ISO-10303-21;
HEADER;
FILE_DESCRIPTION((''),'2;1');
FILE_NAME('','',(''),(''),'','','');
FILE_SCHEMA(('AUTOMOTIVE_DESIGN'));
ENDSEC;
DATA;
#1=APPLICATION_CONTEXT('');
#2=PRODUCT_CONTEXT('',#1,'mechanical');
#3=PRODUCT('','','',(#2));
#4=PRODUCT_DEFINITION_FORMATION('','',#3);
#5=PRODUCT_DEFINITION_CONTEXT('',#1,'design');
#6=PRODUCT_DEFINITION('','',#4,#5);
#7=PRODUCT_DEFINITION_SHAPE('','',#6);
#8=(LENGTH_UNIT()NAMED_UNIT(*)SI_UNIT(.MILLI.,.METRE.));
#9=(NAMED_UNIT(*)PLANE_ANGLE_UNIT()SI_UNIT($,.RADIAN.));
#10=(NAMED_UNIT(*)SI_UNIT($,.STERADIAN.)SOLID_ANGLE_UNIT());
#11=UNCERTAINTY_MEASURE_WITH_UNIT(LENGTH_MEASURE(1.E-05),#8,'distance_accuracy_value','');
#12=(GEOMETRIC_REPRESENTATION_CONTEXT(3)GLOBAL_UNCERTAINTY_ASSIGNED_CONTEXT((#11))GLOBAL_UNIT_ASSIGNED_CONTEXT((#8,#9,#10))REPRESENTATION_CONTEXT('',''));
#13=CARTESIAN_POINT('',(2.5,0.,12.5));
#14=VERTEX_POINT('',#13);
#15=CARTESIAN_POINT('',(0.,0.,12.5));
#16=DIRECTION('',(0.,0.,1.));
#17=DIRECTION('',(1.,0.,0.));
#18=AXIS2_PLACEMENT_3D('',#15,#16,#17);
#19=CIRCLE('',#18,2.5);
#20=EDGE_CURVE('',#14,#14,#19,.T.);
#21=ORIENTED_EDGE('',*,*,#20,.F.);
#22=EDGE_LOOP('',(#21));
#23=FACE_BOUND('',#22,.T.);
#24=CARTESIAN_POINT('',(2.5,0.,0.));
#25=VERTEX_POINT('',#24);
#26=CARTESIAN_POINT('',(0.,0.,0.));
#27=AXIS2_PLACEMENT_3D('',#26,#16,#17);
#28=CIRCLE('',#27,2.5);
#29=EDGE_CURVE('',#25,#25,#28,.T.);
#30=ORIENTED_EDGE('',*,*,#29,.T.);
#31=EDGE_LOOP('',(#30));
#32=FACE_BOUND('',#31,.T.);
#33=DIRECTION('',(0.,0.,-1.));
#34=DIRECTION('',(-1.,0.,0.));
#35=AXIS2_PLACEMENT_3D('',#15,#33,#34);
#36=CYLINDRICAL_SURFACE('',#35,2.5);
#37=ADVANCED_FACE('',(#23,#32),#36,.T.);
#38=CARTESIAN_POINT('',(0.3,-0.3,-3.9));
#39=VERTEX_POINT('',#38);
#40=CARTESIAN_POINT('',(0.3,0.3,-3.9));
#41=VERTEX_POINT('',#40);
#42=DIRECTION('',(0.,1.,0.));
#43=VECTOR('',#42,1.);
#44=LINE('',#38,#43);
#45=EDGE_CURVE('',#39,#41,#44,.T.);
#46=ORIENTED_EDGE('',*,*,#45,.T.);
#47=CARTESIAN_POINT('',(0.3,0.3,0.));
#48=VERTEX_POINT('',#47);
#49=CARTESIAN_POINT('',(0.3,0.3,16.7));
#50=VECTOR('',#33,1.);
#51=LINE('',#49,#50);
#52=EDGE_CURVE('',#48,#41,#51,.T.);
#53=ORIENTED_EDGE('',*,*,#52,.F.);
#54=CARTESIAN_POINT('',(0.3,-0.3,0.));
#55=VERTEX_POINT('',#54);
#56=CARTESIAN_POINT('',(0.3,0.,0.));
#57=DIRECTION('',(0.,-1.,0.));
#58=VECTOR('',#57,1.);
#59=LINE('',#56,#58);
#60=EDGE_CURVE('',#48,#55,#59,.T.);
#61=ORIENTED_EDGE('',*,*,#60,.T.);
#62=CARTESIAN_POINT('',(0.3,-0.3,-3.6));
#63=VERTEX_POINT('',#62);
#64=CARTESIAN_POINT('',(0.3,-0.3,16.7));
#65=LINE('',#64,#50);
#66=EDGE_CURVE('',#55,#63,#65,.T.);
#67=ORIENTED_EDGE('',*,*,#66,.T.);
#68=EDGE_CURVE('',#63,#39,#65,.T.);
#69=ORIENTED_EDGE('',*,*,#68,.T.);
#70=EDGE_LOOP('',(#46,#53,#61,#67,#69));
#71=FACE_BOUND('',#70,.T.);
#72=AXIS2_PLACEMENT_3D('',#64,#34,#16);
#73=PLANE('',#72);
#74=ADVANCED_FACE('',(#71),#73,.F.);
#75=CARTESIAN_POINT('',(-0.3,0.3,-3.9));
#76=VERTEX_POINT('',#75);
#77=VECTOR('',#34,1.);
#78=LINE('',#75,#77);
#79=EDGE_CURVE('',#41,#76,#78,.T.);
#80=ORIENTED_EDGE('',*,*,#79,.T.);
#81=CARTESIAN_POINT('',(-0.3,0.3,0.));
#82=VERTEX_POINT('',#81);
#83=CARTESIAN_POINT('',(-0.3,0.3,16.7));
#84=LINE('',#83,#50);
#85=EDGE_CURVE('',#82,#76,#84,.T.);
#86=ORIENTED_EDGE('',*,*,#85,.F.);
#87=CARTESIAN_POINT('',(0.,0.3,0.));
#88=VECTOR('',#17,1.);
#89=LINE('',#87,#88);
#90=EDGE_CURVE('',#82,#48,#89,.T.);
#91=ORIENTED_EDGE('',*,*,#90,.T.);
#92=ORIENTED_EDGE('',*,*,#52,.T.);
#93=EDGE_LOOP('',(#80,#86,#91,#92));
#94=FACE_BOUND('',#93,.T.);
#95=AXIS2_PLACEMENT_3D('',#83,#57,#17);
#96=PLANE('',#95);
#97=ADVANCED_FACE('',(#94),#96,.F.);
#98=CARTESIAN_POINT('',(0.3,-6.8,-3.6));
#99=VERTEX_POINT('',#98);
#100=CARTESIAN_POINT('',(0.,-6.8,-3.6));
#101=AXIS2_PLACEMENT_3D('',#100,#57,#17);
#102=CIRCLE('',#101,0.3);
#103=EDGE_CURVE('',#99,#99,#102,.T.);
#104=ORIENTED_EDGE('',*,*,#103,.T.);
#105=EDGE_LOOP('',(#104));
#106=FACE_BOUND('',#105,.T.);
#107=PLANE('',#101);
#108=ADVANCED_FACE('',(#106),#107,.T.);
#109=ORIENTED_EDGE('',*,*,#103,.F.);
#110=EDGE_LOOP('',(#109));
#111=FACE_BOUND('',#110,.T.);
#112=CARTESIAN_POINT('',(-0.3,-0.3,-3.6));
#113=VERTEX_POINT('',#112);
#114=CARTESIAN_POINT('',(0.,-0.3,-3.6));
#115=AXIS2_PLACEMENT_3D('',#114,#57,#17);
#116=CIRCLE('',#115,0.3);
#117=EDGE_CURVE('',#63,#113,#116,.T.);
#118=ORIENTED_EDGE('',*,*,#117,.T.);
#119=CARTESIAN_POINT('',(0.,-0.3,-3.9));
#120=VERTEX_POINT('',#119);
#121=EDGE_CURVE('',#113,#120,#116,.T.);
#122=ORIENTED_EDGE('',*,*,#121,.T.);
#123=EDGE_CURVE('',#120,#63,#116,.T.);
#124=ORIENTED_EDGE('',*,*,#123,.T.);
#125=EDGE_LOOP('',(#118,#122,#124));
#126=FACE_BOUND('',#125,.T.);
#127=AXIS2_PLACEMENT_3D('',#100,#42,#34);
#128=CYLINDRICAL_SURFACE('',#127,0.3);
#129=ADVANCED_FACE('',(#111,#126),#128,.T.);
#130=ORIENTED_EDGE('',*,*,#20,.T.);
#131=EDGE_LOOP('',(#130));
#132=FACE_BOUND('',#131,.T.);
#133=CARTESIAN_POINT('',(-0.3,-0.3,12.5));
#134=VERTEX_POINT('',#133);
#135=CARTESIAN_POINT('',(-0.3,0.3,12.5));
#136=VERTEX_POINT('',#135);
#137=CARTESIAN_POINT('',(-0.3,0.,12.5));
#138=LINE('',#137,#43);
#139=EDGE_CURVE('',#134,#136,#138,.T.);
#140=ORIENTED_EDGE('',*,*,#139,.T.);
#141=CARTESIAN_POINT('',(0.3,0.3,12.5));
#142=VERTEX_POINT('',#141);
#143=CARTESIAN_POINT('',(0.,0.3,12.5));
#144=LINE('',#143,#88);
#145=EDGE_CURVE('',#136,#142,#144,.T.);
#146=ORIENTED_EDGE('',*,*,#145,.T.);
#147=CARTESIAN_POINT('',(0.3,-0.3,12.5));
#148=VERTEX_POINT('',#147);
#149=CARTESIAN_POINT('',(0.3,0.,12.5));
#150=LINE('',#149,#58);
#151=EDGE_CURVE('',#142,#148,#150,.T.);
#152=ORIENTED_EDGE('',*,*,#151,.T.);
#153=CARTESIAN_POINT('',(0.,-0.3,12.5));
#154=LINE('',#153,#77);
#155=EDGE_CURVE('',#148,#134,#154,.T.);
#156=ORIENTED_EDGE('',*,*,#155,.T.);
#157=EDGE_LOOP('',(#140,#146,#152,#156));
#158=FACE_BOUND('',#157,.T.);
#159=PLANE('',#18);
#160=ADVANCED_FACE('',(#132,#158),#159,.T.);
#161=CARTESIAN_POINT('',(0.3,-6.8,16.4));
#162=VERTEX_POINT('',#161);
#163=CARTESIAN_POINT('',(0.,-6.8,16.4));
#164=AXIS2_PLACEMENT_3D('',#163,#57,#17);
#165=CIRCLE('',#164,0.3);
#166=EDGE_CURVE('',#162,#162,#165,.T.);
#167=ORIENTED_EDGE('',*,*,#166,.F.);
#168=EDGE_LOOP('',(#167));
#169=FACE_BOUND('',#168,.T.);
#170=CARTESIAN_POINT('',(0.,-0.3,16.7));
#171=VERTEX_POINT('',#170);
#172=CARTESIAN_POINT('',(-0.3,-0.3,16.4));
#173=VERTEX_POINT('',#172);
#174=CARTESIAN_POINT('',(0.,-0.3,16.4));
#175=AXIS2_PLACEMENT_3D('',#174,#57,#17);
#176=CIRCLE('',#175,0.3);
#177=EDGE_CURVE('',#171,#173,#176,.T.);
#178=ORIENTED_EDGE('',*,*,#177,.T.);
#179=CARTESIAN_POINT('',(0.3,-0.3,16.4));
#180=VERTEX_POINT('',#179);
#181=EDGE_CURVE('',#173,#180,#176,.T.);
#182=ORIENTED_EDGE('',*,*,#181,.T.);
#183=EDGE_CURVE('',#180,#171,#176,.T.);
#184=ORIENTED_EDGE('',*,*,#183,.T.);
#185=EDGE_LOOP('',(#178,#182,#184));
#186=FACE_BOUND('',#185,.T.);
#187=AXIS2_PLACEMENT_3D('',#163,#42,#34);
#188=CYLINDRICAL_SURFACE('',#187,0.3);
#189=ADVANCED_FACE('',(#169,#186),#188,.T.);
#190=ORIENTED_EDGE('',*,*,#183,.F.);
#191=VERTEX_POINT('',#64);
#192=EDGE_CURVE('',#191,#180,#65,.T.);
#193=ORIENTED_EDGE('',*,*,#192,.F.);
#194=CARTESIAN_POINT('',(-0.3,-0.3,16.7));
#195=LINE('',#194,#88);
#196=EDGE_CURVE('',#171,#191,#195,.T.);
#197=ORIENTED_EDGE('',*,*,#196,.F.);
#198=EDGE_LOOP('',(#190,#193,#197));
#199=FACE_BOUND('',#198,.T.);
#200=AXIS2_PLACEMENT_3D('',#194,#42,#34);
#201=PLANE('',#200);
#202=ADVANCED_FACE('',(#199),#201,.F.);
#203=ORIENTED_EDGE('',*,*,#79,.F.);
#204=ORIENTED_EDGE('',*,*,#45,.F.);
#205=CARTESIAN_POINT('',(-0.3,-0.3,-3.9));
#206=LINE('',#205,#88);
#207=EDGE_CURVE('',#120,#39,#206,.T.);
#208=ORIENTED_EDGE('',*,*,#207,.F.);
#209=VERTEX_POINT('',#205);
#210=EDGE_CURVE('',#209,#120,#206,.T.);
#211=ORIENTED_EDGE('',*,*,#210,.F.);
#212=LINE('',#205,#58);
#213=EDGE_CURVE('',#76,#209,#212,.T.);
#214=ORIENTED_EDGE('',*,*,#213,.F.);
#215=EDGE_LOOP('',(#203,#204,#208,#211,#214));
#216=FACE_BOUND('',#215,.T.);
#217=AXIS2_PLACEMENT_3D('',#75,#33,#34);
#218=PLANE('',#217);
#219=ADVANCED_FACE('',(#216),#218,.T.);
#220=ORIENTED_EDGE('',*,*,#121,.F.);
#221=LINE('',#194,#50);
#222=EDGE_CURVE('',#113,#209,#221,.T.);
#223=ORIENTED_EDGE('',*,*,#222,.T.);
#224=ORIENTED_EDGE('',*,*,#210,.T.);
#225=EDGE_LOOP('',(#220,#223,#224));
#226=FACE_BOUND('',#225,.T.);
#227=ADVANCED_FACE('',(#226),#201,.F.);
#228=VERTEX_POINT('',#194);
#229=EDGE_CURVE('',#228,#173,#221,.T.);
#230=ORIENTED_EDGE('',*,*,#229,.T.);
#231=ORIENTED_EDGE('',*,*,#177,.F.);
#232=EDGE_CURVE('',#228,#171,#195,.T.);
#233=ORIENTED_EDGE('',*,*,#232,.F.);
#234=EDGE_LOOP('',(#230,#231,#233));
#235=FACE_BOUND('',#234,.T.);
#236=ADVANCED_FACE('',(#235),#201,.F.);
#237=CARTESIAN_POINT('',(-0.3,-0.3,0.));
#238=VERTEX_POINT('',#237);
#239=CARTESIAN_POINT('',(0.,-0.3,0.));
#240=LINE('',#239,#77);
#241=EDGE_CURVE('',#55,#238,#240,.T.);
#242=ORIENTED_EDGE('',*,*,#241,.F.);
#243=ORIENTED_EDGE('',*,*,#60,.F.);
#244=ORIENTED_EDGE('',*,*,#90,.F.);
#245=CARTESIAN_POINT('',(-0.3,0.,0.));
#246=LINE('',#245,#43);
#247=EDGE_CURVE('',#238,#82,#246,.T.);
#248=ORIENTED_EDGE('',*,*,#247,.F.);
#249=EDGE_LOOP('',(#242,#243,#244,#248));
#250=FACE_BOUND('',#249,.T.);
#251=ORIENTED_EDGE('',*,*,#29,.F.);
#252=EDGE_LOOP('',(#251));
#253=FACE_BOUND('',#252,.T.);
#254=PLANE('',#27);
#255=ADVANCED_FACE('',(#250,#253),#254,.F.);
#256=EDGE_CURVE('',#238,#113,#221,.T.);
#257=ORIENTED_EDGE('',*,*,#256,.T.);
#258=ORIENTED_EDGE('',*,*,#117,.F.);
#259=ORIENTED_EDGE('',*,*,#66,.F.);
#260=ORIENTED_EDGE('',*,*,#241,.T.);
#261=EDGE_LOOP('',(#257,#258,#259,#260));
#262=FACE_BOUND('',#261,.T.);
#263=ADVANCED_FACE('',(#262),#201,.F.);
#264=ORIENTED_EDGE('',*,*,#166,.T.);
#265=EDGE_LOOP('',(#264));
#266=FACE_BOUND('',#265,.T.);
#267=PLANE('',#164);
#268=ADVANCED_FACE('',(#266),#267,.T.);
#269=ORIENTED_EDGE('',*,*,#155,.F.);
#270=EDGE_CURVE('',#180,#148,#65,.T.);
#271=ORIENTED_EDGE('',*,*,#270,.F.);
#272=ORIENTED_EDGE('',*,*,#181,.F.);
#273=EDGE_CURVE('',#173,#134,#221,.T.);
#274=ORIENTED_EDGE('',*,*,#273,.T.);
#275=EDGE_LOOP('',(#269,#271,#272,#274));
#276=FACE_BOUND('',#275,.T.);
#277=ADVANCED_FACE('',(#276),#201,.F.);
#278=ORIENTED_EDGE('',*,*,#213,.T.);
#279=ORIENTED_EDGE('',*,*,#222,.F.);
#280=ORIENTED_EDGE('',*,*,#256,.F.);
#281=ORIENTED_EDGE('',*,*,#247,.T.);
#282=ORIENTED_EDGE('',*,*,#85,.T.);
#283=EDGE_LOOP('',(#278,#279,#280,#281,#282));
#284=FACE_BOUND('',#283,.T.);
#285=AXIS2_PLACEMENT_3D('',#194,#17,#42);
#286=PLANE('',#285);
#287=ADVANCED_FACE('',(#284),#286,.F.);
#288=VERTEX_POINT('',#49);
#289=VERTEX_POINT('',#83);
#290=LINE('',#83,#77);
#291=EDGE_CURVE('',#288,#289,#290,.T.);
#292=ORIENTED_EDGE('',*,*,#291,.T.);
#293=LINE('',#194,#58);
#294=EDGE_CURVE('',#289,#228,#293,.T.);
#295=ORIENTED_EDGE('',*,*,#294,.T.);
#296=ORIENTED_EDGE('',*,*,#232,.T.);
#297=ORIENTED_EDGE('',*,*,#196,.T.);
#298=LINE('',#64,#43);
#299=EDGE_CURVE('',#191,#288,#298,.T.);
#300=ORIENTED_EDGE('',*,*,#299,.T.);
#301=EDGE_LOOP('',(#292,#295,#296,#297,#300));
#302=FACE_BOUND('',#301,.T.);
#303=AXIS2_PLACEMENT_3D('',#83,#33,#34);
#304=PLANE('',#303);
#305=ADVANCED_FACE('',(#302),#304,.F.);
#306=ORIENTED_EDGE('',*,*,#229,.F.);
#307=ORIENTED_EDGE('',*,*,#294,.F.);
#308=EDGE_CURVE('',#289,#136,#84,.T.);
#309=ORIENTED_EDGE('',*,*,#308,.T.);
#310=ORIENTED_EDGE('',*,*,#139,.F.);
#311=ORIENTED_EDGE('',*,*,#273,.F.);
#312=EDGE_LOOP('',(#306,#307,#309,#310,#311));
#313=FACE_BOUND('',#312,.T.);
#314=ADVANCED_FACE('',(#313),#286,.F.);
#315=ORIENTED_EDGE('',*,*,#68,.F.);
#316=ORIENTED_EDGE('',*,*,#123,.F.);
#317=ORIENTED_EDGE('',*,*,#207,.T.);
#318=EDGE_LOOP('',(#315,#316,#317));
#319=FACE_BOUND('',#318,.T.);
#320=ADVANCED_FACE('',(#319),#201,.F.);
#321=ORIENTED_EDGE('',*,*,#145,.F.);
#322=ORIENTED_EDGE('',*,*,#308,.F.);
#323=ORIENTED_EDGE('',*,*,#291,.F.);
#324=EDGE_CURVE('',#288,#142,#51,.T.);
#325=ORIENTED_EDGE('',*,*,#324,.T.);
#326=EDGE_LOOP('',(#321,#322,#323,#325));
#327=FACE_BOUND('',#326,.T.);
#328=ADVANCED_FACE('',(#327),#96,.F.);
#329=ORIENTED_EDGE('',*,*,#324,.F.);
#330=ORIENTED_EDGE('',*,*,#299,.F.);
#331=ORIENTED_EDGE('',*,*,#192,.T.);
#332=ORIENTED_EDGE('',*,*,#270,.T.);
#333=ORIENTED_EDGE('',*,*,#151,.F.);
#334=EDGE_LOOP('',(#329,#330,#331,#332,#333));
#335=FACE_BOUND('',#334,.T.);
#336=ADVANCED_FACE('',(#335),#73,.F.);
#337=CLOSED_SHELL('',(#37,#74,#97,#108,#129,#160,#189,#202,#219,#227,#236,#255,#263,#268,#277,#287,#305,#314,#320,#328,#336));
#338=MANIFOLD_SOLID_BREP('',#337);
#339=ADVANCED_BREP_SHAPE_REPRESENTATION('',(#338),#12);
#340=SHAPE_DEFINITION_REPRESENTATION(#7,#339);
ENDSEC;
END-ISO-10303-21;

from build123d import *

# Parameters (mm, degrees)
SKETCH_1_R           = 2.5
EXTRUDE_1_DEPTH      = 12.5
EXTRUDE_2_DEPTH      = 4.2
EXTRUDE_2_DEPTH_BACK = 16.4
SKETCH_2_W           = 0.6
SKETCH_2_H           = 0.6
SKETCH_3_R           = 0.3
EXTRUDE_3_DEPTH      = 6.5


with BuildPart() as part:
    # Эскиз1 → Вытянуть1 (new body)
    with BuildSketch(Plane.XY):
        Circle(SKETCH_1_R)
    extrude(amount=EXTRUDE_1_DEPTH)

    # Эскиз2 → Вытянуть2 (add, two sides: drawn at the far end of the back side and taken through both)
    with BuildSketch(Plane.XY.offset(12.5).offset(-EXTRUDE_2_DEPTH_BACK)):
        Rectangle(SKETCH_2_W, SKETCH_2_H)
    extrude(amount=EXTRUDE_2_DEPTH + EXTRUDE_2_DEPTH_BACK)

    # Эскиз3 → Вытянуть3 (add)
    with BuildSketch(Plane.XZ.offset(0.3)):
        with Locations((0, 16.4)):
            Circle(SKETCH_3_R)
        with Locations((0, -3.6)):
            Circle(SKETCH_3_R)
    extrude(amount=EXTRUDE_3_DEPTH)


solid = part.part
